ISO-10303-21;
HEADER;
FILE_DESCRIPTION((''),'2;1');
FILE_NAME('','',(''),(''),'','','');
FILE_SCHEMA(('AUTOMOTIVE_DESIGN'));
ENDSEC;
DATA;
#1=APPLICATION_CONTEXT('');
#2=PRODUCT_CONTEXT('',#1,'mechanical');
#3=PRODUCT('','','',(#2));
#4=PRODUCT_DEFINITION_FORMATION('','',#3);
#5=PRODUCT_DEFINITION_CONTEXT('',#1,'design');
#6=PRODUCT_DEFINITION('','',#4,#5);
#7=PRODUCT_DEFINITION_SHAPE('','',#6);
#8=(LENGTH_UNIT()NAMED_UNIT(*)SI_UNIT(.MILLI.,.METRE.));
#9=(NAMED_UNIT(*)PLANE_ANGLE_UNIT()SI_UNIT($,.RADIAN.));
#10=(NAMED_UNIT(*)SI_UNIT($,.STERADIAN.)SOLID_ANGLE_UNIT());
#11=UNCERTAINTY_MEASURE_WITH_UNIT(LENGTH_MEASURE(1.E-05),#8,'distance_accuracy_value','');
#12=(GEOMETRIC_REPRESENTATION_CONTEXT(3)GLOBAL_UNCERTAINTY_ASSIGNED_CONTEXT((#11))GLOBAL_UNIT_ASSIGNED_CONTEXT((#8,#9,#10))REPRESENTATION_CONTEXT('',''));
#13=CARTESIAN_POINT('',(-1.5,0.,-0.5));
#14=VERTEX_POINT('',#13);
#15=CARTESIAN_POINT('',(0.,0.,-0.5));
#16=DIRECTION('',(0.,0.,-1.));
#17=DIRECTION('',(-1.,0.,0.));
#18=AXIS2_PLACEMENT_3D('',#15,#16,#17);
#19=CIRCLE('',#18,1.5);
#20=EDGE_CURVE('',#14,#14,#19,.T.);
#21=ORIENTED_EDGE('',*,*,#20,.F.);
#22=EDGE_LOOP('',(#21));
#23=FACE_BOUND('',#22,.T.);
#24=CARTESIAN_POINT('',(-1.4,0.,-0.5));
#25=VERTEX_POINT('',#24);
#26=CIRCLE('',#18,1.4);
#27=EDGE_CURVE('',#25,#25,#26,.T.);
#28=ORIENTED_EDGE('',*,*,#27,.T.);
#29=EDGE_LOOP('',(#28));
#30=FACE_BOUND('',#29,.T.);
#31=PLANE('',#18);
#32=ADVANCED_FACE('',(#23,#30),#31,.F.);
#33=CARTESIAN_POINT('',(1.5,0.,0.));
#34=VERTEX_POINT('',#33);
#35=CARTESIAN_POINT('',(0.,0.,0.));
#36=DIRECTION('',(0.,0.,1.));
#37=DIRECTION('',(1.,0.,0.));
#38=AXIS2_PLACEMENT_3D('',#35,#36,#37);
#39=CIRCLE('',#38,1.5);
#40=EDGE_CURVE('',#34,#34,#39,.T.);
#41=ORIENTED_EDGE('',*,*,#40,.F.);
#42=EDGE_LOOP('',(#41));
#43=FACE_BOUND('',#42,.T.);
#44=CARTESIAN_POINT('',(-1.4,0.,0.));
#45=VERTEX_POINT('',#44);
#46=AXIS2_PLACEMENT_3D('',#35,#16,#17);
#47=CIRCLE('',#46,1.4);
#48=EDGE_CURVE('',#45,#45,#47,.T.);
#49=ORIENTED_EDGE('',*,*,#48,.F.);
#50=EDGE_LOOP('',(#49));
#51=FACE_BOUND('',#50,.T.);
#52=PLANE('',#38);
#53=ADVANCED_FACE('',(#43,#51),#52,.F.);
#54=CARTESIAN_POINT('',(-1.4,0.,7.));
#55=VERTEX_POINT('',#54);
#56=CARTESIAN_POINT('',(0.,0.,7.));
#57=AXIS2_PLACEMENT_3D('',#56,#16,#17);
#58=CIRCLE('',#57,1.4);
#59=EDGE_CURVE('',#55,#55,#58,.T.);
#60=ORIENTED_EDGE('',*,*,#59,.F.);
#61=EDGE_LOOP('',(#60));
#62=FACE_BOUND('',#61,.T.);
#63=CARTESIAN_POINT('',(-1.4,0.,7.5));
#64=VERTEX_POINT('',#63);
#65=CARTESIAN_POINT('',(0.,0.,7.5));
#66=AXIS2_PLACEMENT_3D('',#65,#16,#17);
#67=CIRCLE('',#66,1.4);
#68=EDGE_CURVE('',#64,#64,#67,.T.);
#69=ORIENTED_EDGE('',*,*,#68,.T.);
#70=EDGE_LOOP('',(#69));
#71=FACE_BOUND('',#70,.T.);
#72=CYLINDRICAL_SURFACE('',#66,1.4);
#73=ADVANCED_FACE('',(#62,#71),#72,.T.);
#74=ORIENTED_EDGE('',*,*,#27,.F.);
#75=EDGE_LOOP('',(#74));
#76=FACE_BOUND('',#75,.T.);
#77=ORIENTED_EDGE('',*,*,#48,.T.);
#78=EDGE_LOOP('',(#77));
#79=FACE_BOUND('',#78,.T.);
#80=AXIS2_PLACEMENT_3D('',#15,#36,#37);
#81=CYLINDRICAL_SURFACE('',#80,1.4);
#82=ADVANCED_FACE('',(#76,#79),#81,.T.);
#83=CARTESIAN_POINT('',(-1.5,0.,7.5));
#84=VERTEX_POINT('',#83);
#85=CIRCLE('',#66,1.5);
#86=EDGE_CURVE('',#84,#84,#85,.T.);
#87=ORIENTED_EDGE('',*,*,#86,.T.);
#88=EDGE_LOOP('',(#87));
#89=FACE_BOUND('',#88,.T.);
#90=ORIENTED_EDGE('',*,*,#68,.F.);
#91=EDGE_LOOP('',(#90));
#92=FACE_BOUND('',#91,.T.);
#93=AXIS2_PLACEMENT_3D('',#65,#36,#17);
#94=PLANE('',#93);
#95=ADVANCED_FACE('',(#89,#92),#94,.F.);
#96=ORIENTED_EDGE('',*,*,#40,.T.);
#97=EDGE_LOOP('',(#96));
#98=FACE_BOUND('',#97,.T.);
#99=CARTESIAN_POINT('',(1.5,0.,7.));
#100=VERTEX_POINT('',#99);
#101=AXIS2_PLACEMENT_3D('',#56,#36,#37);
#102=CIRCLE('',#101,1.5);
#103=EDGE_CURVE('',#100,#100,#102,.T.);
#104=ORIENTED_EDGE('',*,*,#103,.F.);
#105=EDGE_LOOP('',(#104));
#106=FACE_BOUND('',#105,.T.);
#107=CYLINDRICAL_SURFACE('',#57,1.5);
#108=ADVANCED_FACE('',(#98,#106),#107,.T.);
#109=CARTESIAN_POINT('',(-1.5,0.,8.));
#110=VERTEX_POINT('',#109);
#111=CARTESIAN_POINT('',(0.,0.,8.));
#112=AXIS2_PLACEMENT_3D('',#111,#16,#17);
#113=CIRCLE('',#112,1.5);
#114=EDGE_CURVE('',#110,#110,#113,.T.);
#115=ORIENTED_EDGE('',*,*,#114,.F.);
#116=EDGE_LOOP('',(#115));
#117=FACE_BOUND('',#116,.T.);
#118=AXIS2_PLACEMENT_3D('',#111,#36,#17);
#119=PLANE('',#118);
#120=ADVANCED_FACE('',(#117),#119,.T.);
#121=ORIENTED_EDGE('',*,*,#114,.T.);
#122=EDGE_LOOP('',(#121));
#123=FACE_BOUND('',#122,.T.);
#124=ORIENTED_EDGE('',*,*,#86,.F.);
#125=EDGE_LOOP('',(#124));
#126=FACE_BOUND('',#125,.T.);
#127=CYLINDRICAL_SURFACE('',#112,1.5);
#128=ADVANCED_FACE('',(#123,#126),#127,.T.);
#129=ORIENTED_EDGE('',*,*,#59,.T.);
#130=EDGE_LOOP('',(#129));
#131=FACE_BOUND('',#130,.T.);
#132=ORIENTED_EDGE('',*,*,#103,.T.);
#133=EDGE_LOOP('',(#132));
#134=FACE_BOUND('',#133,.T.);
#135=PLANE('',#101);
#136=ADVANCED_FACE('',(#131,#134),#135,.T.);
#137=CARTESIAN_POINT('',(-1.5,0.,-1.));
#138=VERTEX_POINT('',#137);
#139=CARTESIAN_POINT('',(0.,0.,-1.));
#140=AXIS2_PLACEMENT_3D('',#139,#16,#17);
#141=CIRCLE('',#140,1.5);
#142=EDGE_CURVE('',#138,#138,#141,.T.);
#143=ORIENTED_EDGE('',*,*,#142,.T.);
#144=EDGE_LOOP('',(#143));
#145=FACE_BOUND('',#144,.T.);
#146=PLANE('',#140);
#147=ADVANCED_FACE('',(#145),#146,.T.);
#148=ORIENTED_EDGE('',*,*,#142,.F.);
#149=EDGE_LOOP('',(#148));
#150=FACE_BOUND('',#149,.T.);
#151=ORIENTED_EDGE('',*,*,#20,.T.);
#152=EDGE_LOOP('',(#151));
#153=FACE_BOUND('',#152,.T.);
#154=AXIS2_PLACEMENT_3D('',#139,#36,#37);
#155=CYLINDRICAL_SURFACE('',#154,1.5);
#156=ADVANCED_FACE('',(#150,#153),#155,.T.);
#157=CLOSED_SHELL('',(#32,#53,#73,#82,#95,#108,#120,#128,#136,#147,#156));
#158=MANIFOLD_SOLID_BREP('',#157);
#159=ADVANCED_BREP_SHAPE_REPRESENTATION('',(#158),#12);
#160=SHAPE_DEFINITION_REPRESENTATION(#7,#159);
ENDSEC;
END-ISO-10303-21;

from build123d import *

# Parameters (mm, degrees)
SKETCH1_R           = 1.5
BOSS_EXTRUDE1_DEPTH = 7
SKETCH2_R           = 1.4
BOSS_EXTRUDE2_DEPTH = 0.5
BOSS_EXTRUDE3_START = 0.5
SKETCH3_R           = 1.5
BOSS_EXTRUDE3_DEPTH = 0.5


with BuildPart() as part:
    # Sketch1 → Boss-Extrude1 (new body)
    with BuildSketch(Plane.XY):
        Circle(SKETCH1_R)
    extrude(amount=BOSS_EXTRUDE1_DEPTH)

    # Sketch2 → Boss-Extrude2 (add)
    with BuildSketch(Plane(origin=(0, 0, 0), x_dir=(-1, 0, 0), z_dir=(0, 0, -1))):
        Circle(SKETCH2_R)
    boss_extrude2 = extrude(amount=BOSS_EXTRUDE2_DEPTH)

    # Sketch3 → Boss-Extrude3 (add)
    with BuildSketch(Plane(origin=(0, 0, -0.5), x_dir=(-1, 0, 0), z_dir=(0, 0, -1)).offset(BOSS_EXTRUDE3_START)):
        with Locations(Location((0, 0, 0), (0, 0, 180))):
            Circle(SKETCH3_R)
    boss_extrude3 = extrude(amount=-BOSS_EXTRUDE3_DEPTH)

    # Mirror1: Boss-Extrude2, Boss-Extrude3 across plane
    add(boss_extrude2.mirror(Plane.XY.offset(3.5)))
    add(boss_extrude3.mirror(Plane.XY.offset(3.5)))


solid = part.part
